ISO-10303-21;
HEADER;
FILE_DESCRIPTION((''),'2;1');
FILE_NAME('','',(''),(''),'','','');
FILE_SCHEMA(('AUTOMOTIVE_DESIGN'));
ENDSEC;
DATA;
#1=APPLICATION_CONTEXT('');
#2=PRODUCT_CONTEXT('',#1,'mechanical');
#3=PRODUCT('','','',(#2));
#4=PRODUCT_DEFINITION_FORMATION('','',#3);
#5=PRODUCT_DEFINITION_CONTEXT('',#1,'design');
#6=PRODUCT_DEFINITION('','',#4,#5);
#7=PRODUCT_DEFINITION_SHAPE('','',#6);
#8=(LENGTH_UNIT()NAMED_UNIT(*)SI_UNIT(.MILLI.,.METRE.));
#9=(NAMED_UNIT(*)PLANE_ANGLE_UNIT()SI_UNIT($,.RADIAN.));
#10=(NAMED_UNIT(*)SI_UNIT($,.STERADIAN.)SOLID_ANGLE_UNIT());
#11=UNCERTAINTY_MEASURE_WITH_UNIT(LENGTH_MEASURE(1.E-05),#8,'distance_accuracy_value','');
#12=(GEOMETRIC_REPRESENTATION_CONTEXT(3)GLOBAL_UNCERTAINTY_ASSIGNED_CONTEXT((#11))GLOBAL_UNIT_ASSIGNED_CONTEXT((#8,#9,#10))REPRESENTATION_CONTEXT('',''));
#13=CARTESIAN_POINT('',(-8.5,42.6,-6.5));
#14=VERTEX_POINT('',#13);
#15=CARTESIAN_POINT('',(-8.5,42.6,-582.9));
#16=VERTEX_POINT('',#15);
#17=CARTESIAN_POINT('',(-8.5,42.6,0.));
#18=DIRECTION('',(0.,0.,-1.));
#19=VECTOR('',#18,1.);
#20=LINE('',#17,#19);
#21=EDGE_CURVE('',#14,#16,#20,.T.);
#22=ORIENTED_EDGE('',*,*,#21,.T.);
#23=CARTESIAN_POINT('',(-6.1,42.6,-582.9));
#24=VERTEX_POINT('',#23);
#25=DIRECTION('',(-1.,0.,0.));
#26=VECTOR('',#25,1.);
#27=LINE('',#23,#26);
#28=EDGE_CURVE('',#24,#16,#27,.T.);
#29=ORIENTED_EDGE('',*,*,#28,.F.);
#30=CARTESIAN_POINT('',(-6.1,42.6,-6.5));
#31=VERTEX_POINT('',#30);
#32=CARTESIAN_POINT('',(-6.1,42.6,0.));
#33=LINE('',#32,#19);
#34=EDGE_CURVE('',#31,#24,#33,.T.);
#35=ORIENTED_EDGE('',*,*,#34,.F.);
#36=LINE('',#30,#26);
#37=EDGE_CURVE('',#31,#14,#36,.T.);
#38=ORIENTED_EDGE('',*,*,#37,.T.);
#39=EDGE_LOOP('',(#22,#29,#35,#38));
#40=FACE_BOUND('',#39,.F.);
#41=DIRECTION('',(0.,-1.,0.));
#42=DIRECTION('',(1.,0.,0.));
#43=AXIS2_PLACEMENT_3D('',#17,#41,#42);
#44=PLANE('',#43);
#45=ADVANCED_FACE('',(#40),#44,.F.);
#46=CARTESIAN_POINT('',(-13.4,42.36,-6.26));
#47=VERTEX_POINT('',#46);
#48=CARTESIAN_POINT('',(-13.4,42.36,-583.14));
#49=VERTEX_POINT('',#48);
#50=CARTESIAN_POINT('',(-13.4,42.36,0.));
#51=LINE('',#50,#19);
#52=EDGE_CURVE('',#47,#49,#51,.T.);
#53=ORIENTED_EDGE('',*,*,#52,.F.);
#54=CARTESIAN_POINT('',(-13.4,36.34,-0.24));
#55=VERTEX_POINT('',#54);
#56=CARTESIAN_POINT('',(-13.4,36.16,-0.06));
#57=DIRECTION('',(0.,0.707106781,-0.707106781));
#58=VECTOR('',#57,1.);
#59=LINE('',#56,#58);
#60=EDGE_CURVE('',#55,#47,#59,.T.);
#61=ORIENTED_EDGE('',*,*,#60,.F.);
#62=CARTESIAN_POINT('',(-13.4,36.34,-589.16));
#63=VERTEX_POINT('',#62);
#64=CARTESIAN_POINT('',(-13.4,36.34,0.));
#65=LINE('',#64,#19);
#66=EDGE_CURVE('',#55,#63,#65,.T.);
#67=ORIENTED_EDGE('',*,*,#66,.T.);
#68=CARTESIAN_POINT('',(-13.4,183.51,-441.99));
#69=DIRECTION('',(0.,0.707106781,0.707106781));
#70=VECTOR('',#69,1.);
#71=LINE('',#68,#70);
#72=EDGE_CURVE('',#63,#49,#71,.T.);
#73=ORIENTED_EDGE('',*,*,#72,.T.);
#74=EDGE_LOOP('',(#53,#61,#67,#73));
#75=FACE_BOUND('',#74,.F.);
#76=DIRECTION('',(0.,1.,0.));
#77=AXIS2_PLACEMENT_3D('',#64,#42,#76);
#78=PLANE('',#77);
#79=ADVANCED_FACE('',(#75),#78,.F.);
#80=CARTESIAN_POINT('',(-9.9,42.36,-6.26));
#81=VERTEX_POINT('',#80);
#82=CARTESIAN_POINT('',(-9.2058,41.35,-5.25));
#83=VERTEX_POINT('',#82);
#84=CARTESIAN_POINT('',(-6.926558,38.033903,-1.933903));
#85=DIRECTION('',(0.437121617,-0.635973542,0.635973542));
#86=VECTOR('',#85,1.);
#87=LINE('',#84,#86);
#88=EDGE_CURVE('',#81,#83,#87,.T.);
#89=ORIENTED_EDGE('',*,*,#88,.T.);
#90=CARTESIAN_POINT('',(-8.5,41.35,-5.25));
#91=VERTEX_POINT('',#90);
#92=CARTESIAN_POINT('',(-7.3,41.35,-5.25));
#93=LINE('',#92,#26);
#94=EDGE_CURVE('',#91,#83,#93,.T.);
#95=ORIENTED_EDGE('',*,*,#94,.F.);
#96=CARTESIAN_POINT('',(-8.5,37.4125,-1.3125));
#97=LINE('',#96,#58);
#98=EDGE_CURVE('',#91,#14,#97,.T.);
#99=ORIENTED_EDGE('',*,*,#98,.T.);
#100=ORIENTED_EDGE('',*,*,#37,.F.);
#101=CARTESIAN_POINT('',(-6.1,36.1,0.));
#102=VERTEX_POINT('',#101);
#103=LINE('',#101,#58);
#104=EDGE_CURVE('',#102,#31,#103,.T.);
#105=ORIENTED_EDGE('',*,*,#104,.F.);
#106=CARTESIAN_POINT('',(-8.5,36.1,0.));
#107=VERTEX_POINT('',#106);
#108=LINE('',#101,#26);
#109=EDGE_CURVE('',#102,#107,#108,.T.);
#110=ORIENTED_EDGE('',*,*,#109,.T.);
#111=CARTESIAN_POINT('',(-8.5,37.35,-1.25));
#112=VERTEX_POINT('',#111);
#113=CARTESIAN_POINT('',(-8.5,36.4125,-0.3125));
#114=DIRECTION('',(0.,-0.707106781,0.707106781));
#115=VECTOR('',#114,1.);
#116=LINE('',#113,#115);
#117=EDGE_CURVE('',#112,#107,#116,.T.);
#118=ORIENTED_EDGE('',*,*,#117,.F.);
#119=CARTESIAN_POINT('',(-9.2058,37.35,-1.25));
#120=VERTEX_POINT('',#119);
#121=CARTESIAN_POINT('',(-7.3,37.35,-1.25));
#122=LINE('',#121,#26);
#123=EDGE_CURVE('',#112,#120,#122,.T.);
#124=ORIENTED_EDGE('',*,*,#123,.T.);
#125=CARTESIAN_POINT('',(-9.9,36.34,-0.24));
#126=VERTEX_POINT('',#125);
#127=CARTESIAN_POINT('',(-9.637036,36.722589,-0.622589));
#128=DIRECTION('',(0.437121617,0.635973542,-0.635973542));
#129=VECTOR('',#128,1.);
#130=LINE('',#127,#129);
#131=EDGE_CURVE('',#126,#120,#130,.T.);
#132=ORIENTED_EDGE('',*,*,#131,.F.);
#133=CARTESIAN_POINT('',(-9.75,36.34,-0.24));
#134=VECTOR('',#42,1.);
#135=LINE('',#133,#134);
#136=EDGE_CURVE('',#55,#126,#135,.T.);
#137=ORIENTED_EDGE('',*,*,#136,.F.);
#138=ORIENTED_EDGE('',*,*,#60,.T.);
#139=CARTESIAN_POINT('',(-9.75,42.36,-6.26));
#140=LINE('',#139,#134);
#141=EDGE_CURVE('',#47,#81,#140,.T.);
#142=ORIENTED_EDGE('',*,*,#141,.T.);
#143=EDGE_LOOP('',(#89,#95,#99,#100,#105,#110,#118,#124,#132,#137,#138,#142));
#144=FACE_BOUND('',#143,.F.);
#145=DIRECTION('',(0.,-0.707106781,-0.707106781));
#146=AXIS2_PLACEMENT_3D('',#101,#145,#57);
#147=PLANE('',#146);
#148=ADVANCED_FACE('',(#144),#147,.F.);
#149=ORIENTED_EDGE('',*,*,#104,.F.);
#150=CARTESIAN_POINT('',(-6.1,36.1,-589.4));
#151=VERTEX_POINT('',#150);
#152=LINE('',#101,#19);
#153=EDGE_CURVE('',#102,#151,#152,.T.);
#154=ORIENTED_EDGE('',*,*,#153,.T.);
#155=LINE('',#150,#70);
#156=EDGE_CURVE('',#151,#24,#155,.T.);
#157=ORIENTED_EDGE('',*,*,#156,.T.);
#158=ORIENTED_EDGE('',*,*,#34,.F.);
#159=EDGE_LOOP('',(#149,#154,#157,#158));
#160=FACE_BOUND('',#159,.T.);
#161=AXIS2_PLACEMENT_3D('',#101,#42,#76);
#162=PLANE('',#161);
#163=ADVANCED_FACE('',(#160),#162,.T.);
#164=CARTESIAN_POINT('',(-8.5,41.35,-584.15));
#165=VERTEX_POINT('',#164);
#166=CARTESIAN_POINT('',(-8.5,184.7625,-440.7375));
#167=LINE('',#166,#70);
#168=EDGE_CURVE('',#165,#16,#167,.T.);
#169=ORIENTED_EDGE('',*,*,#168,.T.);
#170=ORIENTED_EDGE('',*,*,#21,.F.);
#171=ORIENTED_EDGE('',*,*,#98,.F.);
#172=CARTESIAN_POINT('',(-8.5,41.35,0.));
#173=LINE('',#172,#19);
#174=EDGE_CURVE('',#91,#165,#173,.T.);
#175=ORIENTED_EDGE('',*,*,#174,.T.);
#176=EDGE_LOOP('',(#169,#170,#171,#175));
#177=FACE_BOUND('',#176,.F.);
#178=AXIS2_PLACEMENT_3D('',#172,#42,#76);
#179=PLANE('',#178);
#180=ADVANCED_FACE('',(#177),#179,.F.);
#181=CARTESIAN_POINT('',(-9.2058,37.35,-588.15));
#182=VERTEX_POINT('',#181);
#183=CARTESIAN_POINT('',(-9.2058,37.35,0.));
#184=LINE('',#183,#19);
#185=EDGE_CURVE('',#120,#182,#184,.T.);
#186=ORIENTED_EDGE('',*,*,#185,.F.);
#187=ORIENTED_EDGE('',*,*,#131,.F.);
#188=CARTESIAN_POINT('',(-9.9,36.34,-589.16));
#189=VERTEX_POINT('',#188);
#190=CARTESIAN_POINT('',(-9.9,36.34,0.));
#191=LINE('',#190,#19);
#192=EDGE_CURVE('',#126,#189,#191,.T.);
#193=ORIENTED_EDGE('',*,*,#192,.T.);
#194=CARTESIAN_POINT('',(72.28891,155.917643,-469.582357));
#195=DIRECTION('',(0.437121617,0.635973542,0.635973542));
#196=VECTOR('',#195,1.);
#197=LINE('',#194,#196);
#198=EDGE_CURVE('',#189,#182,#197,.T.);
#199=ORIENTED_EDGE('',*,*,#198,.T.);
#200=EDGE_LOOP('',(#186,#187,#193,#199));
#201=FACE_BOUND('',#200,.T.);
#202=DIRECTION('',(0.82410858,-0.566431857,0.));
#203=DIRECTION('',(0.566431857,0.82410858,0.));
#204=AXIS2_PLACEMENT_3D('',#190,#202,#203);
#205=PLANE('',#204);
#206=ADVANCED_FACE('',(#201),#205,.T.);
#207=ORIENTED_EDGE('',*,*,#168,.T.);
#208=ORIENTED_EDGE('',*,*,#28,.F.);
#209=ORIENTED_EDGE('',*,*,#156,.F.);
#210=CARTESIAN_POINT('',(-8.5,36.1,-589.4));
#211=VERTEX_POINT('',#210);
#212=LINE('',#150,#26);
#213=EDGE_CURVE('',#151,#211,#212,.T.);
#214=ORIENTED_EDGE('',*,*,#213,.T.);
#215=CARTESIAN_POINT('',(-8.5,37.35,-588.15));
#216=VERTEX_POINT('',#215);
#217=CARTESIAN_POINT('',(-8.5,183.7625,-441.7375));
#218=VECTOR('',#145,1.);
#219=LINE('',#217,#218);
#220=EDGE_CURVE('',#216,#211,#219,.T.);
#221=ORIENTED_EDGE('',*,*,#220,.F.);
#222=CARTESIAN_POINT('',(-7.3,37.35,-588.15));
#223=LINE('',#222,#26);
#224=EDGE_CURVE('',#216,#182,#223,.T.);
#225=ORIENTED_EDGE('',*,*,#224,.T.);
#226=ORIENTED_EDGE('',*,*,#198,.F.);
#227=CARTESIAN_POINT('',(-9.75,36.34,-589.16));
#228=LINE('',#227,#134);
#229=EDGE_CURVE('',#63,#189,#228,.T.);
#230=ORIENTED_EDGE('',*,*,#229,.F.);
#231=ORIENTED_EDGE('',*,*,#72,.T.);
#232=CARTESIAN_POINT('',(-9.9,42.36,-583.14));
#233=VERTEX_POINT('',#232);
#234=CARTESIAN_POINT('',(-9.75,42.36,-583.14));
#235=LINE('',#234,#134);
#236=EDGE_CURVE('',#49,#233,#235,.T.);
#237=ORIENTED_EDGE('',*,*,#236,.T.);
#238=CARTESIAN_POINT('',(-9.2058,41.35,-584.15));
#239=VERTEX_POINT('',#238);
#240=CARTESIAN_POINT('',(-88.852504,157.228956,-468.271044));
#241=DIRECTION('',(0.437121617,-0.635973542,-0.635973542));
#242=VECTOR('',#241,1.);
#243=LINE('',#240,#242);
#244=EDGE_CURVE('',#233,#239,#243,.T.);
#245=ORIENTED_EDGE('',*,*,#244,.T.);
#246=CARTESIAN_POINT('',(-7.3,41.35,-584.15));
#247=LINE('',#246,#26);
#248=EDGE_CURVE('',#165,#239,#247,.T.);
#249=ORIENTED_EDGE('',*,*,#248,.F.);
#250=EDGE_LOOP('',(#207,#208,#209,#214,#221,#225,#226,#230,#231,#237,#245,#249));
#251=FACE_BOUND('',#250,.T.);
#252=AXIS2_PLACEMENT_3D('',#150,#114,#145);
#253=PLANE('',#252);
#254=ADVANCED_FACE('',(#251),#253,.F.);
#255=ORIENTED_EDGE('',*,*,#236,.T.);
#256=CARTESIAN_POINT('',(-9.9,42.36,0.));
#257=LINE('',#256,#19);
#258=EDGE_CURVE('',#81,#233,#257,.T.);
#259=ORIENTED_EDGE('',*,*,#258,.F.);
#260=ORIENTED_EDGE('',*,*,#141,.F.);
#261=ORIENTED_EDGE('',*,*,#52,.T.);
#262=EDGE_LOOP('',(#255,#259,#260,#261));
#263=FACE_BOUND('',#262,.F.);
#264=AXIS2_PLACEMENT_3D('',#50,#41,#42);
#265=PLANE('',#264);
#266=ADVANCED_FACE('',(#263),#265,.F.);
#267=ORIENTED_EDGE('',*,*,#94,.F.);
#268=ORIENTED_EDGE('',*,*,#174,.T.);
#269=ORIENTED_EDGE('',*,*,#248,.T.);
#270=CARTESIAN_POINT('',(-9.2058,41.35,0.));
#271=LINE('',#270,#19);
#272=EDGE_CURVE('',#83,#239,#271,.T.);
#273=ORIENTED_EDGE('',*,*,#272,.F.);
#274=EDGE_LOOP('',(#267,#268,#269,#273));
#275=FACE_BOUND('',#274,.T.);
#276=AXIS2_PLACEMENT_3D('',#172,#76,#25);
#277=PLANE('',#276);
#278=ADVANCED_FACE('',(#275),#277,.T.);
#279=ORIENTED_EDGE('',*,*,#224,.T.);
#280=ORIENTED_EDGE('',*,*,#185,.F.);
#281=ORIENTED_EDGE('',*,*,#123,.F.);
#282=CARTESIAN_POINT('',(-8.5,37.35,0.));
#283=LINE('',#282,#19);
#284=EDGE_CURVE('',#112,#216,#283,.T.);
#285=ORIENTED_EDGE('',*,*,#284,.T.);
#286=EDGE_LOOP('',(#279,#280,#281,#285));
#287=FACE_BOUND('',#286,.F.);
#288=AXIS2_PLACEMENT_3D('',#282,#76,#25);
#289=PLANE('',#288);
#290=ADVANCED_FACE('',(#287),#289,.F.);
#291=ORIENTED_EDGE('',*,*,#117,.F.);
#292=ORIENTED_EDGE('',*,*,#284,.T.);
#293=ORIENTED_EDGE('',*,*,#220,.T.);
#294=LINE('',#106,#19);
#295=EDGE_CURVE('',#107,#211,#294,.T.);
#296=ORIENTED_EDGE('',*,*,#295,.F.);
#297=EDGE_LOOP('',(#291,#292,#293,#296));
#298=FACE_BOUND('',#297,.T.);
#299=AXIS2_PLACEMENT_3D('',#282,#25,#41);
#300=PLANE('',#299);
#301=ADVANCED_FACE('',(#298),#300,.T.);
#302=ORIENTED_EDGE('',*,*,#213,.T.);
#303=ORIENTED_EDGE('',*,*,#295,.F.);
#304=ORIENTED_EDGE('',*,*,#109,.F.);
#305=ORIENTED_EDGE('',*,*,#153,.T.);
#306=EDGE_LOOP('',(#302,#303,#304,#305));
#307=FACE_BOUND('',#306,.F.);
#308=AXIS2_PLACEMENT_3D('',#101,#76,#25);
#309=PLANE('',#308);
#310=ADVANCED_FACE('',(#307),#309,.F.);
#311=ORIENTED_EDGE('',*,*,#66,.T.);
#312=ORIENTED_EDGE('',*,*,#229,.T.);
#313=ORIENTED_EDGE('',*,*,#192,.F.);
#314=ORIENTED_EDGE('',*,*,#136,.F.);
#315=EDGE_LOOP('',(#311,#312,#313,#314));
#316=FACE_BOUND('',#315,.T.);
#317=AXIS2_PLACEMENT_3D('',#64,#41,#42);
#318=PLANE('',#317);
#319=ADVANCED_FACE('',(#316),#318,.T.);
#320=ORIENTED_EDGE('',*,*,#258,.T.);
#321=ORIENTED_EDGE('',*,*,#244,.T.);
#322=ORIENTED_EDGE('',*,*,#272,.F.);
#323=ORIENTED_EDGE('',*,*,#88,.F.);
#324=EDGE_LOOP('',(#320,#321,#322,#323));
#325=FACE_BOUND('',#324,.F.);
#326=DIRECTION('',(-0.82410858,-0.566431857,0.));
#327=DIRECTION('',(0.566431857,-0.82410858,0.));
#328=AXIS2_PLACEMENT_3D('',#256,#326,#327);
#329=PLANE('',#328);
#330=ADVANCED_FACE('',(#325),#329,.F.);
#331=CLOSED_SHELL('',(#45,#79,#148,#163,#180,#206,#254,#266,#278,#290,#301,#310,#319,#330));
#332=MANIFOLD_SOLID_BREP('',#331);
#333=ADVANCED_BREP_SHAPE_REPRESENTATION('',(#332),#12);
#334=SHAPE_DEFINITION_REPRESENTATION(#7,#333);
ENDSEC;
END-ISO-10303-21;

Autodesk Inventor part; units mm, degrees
ref_plane "YZ Plane" through (0, 0, 0) normal (1, 0, 0) x (0, 1, 0)
ref_plane "XZ Plane" through (0, 0, 0) normal (0, 1, 0) x (-1, 0, 0)
sketch "Sketch1" plane through (0, 0, 0) normal (0, 0, 1) x (1, 0, 0)
  line L0 (-8.5, 42.6) -> (-6.1, 42.6)
  line L1 (-6.1, 36.1) -> (-8.5, 36.1)
  line L2 (-6.1, 36.1) -> (-6.1, 42.6)
  line L3 (-8.5, 37.35) -> (-8.5, 36.1)
  line L4 (-8.5, 41.35) -> (-8.5, 42.6)
  line L5 (-8.5, 37.35) -> (-9.2058, 37.35)
  line L6 (-8.5, 41.35) -> (-9.2058, 41.35)
  line L7 (-9.9, 42.36) -> (-9.2058, 41.35)
  line L8 (-9.9, 36.34) -> (-9.2058, 37.35)
  line L9 (-13.4, 36.34) -> (-9.9, 36.34)
  line L10 (-13.4, 36.34) -> (-13.4, 42.36)
  line L11 (-13.4, 42.36) -> (-9.9, 42.36)
  point P0 (-8.5, 41.975)
  point P1 (-6.1, 39.35)
  dimension "d27" = 6.5
  dimension "d28" = 2.4
  dimension "d29" = 2.4
  dimension "d35" = 111
  dimension "d36" = 4
  dimension "d37" = 6.02
  dimension "d38" = 0.7058
  dimension "d39" = 0.7058
  dimension "d43" = 3.01
  dimension "d44" = 2
  dimension "d63" = 3.5
  dimension "d64" = 3.5
extrude "Extrusion1" add sketch "Sketch1" against normal blind 589.4
ref_plane "Plano de trabajo3" through (0, 0, -294.7) normal (0, 0, 1) x (1, 0, 0)
sketch "Boceto2" plane through (-6.1, 36.1, 0) normal (1, 0, 0) x (0, 0, -1)
  line L0 (0, 0) -> (6.5, 6.5)
  line L1 (0, 6.5) -> (589.4, 6.5) projected
  line L2 (6.5, 6.5) -> (0, 6.5)
  line L3 (6.5, 6.5) -> (0, 6.5)
  line L4 (0, 0) -> (0, 6.5) projected
  line L5 (0, 0) -> (0, 6.5)
  point P0 (0, -36.1)
  dimension "d65" = 45
extrude "Extrusión3" cut sketch "Boceto2" against normal through all
mirror "Simetría3" about plane through (0, 0, -294.7) normal (0, 0, 1) of "Extrusión3"
properties part number "SP40-02 JUNTA INT 589 mm" material "Rubber"
